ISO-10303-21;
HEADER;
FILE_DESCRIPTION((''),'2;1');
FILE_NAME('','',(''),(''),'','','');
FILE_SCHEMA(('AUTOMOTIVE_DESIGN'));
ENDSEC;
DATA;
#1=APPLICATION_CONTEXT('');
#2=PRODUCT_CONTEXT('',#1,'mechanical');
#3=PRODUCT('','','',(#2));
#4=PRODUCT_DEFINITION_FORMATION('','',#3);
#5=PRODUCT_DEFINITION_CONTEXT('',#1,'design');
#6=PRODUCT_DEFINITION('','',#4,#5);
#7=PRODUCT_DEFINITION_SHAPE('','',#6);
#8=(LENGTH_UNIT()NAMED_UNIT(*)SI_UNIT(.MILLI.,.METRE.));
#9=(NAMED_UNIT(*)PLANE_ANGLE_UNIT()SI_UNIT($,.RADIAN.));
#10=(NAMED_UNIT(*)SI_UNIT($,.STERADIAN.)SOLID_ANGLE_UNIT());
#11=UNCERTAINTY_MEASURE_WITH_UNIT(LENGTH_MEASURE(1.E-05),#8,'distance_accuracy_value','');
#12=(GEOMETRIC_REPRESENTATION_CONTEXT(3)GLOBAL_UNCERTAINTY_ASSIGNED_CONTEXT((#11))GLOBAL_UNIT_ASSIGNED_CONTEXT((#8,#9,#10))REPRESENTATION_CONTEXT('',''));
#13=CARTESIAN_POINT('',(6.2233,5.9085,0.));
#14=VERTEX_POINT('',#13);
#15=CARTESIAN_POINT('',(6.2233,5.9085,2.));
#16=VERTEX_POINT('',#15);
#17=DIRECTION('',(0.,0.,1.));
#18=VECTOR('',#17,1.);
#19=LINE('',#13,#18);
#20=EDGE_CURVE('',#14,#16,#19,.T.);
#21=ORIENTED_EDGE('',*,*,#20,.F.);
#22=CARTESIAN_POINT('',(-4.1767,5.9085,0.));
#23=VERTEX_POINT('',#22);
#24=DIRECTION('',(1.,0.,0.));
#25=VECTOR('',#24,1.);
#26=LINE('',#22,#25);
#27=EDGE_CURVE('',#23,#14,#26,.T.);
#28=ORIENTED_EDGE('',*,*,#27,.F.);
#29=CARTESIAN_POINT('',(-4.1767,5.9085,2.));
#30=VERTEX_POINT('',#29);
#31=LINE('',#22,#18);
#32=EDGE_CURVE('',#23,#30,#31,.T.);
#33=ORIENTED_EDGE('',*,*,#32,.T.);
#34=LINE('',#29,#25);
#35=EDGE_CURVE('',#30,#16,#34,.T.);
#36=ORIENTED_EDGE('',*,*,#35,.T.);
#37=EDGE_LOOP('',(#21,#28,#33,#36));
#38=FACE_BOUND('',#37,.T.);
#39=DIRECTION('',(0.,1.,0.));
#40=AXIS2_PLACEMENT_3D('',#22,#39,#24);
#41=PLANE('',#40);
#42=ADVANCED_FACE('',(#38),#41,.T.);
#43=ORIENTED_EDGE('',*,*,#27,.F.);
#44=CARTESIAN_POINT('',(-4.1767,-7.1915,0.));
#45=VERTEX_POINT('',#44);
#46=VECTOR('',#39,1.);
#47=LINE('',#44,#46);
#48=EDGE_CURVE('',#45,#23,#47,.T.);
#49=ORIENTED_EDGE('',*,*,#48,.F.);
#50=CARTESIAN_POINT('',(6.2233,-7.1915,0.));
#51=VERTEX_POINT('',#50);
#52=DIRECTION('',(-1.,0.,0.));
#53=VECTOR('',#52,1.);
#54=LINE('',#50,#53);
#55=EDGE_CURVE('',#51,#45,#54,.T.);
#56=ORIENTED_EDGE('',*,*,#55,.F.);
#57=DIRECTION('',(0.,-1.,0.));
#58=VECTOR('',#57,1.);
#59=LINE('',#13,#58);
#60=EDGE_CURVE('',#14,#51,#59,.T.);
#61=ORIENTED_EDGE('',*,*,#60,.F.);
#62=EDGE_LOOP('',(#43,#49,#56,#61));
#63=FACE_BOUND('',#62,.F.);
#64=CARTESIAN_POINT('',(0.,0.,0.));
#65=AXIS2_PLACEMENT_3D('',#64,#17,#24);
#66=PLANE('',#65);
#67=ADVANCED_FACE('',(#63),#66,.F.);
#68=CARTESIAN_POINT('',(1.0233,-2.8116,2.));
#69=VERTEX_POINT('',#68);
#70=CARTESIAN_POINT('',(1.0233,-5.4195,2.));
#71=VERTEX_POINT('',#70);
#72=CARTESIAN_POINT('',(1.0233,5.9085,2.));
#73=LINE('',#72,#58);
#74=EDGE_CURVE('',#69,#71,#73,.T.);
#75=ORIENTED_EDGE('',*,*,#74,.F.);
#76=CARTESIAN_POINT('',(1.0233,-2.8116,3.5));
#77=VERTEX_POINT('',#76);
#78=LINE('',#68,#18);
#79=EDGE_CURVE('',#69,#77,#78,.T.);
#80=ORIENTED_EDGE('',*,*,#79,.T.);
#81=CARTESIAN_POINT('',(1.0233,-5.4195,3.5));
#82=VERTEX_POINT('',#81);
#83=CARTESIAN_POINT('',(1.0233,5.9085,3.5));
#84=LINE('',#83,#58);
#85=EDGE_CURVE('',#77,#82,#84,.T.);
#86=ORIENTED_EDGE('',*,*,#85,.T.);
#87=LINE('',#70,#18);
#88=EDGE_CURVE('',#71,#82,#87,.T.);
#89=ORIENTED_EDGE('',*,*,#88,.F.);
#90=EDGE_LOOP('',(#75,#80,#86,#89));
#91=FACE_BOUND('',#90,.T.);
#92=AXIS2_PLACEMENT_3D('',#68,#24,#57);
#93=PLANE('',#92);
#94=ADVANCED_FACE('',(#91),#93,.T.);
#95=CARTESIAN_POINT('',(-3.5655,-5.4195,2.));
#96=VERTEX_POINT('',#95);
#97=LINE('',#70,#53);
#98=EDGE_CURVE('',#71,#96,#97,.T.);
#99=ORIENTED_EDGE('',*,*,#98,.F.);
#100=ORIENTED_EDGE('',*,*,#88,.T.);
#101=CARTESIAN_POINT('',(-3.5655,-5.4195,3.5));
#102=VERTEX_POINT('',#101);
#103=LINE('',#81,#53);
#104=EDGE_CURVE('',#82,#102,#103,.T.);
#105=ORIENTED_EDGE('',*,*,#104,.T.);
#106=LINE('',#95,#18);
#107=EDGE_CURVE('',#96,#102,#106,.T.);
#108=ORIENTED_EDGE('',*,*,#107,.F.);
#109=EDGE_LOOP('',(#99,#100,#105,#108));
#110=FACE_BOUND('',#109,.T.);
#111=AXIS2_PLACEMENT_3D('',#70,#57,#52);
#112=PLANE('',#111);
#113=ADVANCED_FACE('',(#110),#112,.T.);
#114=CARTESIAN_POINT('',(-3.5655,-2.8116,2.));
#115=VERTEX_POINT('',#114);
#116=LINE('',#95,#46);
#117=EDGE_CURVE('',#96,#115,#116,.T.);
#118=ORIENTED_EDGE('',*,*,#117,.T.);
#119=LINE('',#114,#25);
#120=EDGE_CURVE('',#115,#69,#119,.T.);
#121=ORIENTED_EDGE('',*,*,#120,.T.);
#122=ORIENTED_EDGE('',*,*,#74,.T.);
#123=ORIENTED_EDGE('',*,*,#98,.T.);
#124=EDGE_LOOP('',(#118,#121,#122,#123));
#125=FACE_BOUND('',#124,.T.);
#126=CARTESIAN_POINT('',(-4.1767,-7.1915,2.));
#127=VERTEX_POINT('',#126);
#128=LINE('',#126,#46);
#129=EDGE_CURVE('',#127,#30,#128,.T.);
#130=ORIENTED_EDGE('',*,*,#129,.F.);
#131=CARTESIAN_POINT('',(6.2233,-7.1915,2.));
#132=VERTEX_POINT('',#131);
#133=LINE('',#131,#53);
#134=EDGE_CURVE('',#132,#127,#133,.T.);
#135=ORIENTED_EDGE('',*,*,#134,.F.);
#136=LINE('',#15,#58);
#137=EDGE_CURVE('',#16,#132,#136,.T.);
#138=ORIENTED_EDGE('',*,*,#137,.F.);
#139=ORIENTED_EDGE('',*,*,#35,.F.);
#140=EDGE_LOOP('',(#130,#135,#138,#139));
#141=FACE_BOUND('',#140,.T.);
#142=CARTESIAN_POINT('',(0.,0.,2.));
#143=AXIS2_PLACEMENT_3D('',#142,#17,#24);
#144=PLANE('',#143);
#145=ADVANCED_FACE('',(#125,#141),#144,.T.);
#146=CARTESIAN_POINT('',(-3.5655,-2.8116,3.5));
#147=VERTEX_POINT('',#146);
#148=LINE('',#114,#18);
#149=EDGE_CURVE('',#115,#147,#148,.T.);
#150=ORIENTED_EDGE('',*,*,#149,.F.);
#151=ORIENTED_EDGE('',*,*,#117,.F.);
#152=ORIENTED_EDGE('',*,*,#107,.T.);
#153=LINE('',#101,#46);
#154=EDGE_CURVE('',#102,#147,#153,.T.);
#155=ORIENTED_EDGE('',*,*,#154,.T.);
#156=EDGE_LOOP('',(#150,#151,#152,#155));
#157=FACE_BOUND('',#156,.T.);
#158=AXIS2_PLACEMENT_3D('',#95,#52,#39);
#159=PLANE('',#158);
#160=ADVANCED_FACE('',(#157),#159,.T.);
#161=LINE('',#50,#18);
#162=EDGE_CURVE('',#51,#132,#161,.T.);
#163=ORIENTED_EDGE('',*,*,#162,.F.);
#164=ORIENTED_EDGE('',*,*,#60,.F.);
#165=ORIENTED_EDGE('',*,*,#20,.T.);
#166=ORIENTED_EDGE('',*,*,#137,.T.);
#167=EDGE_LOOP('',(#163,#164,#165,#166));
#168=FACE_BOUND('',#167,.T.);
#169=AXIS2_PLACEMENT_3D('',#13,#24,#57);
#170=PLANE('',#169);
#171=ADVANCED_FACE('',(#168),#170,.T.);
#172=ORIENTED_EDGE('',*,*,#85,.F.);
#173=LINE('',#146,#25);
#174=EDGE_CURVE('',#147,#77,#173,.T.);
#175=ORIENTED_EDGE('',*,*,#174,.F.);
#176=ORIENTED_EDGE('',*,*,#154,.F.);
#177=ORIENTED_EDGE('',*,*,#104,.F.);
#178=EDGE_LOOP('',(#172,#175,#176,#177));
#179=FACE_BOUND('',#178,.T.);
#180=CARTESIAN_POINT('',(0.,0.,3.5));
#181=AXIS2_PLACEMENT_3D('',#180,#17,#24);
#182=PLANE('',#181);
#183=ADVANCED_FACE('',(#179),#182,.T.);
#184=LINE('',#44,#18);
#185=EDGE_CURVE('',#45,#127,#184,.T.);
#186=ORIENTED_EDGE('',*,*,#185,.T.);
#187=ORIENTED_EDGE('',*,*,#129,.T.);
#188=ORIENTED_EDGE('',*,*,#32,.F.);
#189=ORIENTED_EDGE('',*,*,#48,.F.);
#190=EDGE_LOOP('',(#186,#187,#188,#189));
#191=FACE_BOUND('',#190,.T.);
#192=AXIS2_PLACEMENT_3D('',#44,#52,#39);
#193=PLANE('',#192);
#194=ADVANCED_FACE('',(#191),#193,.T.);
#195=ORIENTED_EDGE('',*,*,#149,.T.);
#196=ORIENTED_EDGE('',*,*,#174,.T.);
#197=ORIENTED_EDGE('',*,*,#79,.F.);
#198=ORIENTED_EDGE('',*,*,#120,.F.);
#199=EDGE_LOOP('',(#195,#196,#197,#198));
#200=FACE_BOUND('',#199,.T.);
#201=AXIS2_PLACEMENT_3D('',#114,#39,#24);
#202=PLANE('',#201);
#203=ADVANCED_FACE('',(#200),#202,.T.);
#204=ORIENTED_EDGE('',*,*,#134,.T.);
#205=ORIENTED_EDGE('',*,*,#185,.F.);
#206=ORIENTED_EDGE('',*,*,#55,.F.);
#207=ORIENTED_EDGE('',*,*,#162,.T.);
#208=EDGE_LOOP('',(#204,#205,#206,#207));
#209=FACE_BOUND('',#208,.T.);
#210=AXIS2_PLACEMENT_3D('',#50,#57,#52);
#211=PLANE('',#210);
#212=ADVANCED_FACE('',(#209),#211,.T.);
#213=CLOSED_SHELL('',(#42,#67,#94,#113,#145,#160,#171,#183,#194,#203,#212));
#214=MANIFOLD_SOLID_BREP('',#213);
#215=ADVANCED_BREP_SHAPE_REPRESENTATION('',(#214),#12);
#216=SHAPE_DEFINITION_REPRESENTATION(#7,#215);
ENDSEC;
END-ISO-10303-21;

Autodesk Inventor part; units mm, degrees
ref_plane "YZ Plane" through (0, 0, 0) normal (1, 0, 0) x (0, 1, 0)
ref_plane "XZ Plane" through (0, 0, 0) normal (0, 1, 0) x (-1, 0, 0)
ref_plane "XY Plane" through (0, 0, 0) normal (0, 0, 1) x (1, 0, 0)
sketch "Sketch1" plane through (0, 0, 0) normal (0, 0, 1) x (1, 0, 0)
  line L0 (-4.1767, 5.9085) -> (6.2233, 5.9085)
  line L1 (6.2233, 5.9085) -> (6.2233, -7.1915)
  line L2 (6.2233, -7.1915) -> (-4.1767, -7.1915)
  line L3 (-4.1767, -7.1915) -> (-4.1767, 5.9085)
  point P0 (0, 0)
  dimension "d0" = 10.4
  dimension "d1" = 13.1
extrude "Extrusion1" add sketch "Sketch1" along normal blind 2
sketch "Sketch2" plane through (0, 0, 2) normal (0, 0, 1) x (1, 0, 0)
  line L0 (-4.1767, -7.1915) -> (6.2233, -7.1915) projected
  line L1 (6.2233, -7.1915) -> (6.2233, 5.9085) projected
  line L2 (6.2233, 5.9085) -> (-4.1767, 5.9085) projected
  line L3 (-4.1767, 5.9085) -> (-4.1767, -7.1915) projected
  line L4 (6.2233, 5.9085) -> (-4.1767, 5.9085) projected
  line L5 (1.0233, 5.9085) -> (1.0233, -7.1915)
  line L6 (-4.1767, -7.1915) -> (6.2233, -7.1915) projected
  line L7 (6.2233, -7.1915) -> (6.2233, 5.9085) projected
  line L8 (6.2233, -0.6415) -> (-4.1767, -0.6415)
  line L9 (-4.1767, 5.9085) -> (-4.1767, -7.1915) projected
  line L10 (1.0233, -5.4195) -> (-3.5655, -5.4195)
  line L11 (-3.5655, -5.4195) -> (-3.5655, -2.8116)
  line L12 (-3.5655, -2.8116) -> (1.0233, -2.8116)
  line L13 (1.0233, -2.8116) -> (1.0233, -5.4195)
  point P0 (0, 0)
extrude "Extrusion2" add sketch "Sketch2" along normal blind 1.5 contours L10 L11 L12 L5
sketch "Sketch3" plane through (-3.5655, -2.8116, 2) normal (0, 1, 0) x (1, 0, 0)
  line L0 (0, 0) -> (4.5888, 0) projected
  line L1 (0, 0) -> (0, -1.5) projected
  line L2 (4.5888, -1.5) -> (0, -1.5) projected
  line L3 (4.5888, 0) -> (4.5888, -1.5) projected
  line L4 (4.5888, -1.5) -> (0, -1.5) projected
  line L5 (0, 0) -> (0, -1.5) projected
  line L6 (0, -1.5) -> (-10.2377, -47.6792)
  line L7 (4.5888, -1.5) -> (14.8265, -47.6792)
  arc A0 (-10.2377, -47.6792) -> (14.8265, -47.6792) centre (2.2944, 8.8493) ccw
  line L8 (0, -1.5) -> (4.5888, -1.5)
  point P0 (3.5655, 2)
properties part number "tof"
